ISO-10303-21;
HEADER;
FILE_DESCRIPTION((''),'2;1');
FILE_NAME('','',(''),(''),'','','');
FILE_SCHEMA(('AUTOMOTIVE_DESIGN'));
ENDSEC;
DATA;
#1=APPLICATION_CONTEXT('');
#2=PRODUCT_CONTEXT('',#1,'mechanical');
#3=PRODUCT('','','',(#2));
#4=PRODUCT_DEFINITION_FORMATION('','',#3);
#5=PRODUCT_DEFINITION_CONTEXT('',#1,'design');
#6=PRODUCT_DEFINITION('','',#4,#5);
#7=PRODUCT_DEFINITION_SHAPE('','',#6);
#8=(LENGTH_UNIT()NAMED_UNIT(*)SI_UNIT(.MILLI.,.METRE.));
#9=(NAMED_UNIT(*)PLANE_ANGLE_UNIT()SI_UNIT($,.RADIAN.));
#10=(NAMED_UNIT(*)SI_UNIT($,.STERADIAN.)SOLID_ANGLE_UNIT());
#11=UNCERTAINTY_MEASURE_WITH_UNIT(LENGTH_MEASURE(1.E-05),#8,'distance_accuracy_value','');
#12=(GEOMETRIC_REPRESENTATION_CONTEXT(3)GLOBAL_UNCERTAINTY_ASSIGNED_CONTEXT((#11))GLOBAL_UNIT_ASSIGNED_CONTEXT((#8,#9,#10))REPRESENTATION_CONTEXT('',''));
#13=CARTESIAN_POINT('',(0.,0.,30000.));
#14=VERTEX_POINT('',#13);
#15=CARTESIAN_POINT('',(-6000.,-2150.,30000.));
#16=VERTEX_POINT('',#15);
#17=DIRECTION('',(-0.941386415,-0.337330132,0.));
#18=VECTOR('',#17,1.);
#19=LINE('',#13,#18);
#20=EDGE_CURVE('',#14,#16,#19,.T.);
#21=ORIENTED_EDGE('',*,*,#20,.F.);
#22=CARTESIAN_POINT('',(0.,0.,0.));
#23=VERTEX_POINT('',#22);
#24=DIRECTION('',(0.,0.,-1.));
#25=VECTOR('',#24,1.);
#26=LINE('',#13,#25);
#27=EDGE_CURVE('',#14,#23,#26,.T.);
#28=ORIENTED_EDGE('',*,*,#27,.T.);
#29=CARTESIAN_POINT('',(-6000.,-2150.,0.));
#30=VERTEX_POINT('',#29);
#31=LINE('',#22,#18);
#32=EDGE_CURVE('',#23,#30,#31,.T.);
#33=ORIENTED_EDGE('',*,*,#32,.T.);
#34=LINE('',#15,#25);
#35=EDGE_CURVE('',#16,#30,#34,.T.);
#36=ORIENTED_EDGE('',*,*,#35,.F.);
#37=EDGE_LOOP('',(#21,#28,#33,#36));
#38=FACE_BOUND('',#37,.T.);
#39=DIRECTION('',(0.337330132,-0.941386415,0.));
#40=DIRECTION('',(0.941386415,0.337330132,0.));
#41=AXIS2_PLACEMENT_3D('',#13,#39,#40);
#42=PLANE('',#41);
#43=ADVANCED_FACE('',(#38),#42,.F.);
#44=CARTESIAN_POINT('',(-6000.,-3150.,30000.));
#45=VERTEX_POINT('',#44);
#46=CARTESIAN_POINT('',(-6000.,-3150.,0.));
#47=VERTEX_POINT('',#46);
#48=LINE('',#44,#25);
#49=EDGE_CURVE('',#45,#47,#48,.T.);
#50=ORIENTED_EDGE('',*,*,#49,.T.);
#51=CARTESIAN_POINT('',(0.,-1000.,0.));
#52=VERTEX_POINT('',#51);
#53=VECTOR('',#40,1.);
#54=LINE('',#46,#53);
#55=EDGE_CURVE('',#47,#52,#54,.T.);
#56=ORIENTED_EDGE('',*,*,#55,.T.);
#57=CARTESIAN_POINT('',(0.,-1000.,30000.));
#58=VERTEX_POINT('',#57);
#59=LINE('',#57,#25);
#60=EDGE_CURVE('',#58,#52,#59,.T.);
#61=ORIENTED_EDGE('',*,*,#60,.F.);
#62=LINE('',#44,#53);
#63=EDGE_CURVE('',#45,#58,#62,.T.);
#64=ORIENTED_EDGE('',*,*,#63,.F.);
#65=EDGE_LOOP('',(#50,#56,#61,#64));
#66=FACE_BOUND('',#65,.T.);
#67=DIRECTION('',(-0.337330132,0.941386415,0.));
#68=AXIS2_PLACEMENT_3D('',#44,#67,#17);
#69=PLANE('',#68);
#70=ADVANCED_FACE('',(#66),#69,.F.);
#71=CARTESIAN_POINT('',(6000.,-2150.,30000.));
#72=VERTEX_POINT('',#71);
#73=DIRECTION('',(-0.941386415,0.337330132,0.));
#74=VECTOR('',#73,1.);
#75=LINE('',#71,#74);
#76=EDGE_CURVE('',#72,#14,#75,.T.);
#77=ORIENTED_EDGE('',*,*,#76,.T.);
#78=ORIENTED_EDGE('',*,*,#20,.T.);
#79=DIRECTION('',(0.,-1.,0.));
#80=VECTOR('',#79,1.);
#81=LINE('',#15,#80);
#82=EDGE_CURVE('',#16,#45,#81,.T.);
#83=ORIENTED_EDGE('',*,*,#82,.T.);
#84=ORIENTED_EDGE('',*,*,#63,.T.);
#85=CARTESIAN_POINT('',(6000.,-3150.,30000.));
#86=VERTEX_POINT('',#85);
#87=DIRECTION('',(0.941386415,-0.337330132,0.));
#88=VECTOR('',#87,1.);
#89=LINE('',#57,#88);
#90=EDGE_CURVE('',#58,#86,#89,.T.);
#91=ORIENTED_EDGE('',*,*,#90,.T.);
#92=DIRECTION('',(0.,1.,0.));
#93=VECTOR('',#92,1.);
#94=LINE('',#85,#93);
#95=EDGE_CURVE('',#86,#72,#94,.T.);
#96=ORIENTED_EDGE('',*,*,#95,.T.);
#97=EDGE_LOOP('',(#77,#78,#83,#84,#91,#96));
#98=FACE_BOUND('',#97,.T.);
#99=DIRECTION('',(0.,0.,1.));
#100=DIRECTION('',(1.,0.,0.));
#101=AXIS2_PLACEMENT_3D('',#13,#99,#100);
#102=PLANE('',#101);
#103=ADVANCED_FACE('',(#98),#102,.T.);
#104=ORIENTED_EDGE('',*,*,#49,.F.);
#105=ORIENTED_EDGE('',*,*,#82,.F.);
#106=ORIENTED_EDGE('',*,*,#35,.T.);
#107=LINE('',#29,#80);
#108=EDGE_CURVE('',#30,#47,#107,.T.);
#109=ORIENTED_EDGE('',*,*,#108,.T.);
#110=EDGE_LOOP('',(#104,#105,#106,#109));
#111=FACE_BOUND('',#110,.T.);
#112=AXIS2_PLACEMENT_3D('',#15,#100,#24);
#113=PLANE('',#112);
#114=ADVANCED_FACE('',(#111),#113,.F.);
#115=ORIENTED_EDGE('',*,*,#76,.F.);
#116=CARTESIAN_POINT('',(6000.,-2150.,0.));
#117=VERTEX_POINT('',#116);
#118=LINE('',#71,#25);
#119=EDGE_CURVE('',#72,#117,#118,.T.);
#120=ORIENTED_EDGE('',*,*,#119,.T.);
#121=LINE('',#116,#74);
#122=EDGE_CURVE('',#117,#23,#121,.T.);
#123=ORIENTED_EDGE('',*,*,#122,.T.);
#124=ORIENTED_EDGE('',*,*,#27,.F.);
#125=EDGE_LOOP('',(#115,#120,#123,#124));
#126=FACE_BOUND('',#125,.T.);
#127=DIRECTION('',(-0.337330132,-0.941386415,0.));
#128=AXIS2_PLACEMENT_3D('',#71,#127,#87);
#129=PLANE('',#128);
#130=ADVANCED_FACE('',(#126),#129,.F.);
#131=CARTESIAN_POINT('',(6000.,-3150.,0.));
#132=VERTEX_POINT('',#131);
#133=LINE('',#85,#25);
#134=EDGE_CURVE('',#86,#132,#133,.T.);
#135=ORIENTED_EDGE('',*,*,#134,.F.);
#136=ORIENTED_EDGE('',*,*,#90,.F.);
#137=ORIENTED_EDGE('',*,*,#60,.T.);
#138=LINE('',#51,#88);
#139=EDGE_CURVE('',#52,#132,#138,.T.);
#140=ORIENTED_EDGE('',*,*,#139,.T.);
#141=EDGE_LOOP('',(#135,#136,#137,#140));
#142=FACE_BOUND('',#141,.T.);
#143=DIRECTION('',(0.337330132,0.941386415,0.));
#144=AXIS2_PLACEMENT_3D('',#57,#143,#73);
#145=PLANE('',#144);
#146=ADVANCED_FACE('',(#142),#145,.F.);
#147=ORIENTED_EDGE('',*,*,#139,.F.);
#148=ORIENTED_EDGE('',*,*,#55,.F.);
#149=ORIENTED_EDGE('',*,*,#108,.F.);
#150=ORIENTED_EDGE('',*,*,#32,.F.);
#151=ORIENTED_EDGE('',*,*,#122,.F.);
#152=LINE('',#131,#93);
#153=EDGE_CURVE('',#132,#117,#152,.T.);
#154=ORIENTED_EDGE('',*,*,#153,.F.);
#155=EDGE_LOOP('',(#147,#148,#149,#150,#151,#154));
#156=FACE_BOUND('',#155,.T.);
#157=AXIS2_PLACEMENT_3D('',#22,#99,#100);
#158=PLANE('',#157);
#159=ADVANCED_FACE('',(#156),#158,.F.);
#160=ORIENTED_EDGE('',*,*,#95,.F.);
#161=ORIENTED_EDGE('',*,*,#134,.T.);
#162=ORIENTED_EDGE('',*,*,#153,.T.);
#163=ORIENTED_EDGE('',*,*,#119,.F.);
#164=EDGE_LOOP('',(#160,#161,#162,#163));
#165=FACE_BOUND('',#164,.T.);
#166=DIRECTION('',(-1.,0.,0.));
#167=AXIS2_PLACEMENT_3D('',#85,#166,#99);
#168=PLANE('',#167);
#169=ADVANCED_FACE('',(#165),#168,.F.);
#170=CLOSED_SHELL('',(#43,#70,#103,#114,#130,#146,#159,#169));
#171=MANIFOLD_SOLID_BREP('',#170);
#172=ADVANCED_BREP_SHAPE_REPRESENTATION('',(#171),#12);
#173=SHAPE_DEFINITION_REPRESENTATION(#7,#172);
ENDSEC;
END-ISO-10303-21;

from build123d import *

# Parameters (mm, degrees)
EXTRUDE_1_DEPTH = 30000


with BuildPart() as part:
    # ｽｹｯﾁ1 → ﾎﾞｽ - 押し出し1 (new body)
    with BuildSketch(Plane.XY):
        Polygon((0, 0), (-6000, -2150), (-6000, -3150), (0, -1000), (6000, -3150), (6000, -2150), align=None)
    extrude(amount=EXTRUDE_1_DEPTH)


solid = part.part
